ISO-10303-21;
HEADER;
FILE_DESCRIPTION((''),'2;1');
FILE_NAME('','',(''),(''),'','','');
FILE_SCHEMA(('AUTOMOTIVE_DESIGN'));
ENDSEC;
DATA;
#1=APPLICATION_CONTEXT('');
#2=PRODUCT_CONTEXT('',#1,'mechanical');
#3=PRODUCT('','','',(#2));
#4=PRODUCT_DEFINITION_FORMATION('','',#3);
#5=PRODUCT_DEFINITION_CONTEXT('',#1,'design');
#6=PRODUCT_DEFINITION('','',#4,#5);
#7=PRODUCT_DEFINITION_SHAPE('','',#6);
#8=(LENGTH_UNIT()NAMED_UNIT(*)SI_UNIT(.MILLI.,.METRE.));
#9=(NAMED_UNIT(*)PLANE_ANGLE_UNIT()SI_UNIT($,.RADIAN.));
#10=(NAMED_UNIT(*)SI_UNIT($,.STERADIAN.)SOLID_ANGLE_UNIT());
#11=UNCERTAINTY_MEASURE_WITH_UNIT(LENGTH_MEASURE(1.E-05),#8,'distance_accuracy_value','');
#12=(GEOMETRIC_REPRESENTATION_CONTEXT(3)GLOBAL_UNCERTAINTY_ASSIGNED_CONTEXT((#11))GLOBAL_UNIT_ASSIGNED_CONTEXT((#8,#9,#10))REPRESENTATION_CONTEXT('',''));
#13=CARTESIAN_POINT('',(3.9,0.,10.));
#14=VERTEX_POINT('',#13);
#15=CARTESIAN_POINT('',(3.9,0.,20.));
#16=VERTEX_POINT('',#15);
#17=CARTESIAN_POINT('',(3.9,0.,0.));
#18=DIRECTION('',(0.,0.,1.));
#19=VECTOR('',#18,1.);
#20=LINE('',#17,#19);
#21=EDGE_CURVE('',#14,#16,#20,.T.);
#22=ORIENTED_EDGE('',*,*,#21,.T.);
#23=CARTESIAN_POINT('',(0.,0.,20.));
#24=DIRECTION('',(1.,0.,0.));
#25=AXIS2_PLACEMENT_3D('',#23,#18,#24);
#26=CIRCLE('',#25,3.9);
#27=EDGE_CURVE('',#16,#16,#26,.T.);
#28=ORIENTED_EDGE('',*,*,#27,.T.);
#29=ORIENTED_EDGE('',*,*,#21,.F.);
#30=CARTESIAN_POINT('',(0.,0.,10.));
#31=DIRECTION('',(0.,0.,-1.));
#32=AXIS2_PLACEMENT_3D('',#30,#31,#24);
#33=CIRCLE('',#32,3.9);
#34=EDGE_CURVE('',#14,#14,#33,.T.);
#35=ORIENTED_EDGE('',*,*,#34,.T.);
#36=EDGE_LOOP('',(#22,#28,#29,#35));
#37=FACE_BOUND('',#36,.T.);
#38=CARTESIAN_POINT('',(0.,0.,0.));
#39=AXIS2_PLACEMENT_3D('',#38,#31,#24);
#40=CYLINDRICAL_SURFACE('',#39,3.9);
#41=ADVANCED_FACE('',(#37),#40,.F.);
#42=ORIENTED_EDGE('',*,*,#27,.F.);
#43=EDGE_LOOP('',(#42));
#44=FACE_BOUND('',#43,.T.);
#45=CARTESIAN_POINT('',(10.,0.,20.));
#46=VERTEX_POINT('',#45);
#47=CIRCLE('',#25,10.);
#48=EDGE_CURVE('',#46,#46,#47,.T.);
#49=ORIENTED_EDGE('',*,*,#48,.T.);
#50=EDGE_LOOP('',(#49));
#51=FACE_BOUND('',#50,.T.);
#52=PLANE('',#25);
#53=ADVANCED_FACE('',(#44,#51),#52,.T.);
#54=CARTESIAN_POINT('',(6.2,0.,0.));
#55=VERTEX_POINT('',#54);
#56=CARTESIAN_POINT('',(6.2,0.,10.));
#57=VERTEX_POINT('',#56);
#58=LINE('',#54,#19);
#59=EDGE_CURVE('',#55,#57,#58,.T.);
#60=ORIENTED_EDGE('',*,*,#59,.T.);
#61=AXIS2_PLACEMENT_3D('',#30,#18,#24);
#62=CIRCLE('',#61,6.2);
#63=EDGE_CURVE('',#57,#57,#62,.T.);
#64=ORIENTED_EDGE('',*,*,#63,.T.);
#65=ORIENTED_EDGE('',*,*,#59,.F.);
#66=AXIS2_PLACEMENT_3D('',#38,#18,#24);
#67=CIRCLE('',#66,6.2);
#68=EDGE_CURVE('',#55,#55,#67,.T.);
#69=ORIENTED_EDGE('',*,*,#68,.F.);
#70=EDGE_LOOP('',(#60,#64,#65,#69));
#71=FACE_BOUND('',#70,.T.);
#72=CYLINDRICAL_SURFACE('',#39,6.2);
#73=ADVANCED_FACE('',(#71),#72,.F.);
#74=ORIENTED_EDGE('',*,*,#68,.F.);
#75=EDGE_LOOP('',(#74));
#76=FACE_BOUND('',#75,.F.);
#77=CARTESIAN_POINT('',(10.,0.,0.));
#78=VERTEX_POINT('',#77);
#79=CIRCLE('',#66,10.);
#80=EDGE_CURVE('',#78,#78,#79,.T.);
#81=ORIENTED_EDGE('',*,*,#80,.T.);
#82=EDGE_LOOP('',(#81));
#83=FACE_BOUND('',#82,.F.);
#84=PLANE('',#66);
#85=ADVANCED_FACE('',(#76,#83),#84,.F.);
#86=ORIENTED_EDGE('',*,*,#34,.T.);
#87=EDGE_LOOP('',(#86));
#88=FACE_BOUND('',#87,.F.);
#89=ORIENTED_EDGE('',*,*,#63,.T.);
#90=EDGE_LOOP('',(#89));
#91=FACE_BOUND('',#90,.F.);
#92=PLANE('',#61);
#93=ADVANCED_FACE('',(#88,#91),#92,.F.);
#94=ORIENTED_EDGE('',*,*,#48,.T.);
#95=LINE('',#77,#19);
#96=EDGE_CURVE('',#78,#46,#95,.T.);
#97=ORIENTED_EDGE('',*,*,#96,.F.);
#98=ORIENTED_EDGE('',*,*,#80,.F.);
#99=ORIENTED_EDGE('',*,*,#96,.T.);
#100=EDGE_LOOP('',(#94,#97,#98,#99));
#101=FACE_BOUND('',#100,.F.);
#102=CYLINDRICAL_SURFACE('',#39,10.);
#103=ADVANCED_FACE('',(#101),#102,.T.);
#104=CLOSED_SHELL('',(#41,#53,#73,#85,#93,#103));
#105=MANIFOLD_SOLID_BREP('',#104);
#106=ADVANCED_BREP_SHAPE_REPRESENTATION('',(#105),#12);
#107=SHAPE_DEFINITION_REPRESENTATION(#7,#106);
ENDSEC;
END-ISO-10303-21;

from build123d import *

# Parameters (mm, degrees)
SKETCH_R     = 10
SKETCH_R_2   = 3.9
PAD_DEPTH    = 20
SKETCH001_R  = 6.2
POCKET_DEPTH = 10


with BuildPart() as part:
    # Sketch → Pad (new body)
    with BuildSketch(Plane.XY):
        Circle(SKETCH_R)
        Circle(SKETCH_R_2, mode=Mode.SUBTRACT)
    extrude(amount=PAD_DEPTH)

    # Sketch001 → Pocket (cut)
    with BuildSketch(Plane.XY):
        Circle(SKETCH001_R)
    extrude(amount=POCKET_DEPTH, mode=Mode.SUBTRACT)


solid = part.part
